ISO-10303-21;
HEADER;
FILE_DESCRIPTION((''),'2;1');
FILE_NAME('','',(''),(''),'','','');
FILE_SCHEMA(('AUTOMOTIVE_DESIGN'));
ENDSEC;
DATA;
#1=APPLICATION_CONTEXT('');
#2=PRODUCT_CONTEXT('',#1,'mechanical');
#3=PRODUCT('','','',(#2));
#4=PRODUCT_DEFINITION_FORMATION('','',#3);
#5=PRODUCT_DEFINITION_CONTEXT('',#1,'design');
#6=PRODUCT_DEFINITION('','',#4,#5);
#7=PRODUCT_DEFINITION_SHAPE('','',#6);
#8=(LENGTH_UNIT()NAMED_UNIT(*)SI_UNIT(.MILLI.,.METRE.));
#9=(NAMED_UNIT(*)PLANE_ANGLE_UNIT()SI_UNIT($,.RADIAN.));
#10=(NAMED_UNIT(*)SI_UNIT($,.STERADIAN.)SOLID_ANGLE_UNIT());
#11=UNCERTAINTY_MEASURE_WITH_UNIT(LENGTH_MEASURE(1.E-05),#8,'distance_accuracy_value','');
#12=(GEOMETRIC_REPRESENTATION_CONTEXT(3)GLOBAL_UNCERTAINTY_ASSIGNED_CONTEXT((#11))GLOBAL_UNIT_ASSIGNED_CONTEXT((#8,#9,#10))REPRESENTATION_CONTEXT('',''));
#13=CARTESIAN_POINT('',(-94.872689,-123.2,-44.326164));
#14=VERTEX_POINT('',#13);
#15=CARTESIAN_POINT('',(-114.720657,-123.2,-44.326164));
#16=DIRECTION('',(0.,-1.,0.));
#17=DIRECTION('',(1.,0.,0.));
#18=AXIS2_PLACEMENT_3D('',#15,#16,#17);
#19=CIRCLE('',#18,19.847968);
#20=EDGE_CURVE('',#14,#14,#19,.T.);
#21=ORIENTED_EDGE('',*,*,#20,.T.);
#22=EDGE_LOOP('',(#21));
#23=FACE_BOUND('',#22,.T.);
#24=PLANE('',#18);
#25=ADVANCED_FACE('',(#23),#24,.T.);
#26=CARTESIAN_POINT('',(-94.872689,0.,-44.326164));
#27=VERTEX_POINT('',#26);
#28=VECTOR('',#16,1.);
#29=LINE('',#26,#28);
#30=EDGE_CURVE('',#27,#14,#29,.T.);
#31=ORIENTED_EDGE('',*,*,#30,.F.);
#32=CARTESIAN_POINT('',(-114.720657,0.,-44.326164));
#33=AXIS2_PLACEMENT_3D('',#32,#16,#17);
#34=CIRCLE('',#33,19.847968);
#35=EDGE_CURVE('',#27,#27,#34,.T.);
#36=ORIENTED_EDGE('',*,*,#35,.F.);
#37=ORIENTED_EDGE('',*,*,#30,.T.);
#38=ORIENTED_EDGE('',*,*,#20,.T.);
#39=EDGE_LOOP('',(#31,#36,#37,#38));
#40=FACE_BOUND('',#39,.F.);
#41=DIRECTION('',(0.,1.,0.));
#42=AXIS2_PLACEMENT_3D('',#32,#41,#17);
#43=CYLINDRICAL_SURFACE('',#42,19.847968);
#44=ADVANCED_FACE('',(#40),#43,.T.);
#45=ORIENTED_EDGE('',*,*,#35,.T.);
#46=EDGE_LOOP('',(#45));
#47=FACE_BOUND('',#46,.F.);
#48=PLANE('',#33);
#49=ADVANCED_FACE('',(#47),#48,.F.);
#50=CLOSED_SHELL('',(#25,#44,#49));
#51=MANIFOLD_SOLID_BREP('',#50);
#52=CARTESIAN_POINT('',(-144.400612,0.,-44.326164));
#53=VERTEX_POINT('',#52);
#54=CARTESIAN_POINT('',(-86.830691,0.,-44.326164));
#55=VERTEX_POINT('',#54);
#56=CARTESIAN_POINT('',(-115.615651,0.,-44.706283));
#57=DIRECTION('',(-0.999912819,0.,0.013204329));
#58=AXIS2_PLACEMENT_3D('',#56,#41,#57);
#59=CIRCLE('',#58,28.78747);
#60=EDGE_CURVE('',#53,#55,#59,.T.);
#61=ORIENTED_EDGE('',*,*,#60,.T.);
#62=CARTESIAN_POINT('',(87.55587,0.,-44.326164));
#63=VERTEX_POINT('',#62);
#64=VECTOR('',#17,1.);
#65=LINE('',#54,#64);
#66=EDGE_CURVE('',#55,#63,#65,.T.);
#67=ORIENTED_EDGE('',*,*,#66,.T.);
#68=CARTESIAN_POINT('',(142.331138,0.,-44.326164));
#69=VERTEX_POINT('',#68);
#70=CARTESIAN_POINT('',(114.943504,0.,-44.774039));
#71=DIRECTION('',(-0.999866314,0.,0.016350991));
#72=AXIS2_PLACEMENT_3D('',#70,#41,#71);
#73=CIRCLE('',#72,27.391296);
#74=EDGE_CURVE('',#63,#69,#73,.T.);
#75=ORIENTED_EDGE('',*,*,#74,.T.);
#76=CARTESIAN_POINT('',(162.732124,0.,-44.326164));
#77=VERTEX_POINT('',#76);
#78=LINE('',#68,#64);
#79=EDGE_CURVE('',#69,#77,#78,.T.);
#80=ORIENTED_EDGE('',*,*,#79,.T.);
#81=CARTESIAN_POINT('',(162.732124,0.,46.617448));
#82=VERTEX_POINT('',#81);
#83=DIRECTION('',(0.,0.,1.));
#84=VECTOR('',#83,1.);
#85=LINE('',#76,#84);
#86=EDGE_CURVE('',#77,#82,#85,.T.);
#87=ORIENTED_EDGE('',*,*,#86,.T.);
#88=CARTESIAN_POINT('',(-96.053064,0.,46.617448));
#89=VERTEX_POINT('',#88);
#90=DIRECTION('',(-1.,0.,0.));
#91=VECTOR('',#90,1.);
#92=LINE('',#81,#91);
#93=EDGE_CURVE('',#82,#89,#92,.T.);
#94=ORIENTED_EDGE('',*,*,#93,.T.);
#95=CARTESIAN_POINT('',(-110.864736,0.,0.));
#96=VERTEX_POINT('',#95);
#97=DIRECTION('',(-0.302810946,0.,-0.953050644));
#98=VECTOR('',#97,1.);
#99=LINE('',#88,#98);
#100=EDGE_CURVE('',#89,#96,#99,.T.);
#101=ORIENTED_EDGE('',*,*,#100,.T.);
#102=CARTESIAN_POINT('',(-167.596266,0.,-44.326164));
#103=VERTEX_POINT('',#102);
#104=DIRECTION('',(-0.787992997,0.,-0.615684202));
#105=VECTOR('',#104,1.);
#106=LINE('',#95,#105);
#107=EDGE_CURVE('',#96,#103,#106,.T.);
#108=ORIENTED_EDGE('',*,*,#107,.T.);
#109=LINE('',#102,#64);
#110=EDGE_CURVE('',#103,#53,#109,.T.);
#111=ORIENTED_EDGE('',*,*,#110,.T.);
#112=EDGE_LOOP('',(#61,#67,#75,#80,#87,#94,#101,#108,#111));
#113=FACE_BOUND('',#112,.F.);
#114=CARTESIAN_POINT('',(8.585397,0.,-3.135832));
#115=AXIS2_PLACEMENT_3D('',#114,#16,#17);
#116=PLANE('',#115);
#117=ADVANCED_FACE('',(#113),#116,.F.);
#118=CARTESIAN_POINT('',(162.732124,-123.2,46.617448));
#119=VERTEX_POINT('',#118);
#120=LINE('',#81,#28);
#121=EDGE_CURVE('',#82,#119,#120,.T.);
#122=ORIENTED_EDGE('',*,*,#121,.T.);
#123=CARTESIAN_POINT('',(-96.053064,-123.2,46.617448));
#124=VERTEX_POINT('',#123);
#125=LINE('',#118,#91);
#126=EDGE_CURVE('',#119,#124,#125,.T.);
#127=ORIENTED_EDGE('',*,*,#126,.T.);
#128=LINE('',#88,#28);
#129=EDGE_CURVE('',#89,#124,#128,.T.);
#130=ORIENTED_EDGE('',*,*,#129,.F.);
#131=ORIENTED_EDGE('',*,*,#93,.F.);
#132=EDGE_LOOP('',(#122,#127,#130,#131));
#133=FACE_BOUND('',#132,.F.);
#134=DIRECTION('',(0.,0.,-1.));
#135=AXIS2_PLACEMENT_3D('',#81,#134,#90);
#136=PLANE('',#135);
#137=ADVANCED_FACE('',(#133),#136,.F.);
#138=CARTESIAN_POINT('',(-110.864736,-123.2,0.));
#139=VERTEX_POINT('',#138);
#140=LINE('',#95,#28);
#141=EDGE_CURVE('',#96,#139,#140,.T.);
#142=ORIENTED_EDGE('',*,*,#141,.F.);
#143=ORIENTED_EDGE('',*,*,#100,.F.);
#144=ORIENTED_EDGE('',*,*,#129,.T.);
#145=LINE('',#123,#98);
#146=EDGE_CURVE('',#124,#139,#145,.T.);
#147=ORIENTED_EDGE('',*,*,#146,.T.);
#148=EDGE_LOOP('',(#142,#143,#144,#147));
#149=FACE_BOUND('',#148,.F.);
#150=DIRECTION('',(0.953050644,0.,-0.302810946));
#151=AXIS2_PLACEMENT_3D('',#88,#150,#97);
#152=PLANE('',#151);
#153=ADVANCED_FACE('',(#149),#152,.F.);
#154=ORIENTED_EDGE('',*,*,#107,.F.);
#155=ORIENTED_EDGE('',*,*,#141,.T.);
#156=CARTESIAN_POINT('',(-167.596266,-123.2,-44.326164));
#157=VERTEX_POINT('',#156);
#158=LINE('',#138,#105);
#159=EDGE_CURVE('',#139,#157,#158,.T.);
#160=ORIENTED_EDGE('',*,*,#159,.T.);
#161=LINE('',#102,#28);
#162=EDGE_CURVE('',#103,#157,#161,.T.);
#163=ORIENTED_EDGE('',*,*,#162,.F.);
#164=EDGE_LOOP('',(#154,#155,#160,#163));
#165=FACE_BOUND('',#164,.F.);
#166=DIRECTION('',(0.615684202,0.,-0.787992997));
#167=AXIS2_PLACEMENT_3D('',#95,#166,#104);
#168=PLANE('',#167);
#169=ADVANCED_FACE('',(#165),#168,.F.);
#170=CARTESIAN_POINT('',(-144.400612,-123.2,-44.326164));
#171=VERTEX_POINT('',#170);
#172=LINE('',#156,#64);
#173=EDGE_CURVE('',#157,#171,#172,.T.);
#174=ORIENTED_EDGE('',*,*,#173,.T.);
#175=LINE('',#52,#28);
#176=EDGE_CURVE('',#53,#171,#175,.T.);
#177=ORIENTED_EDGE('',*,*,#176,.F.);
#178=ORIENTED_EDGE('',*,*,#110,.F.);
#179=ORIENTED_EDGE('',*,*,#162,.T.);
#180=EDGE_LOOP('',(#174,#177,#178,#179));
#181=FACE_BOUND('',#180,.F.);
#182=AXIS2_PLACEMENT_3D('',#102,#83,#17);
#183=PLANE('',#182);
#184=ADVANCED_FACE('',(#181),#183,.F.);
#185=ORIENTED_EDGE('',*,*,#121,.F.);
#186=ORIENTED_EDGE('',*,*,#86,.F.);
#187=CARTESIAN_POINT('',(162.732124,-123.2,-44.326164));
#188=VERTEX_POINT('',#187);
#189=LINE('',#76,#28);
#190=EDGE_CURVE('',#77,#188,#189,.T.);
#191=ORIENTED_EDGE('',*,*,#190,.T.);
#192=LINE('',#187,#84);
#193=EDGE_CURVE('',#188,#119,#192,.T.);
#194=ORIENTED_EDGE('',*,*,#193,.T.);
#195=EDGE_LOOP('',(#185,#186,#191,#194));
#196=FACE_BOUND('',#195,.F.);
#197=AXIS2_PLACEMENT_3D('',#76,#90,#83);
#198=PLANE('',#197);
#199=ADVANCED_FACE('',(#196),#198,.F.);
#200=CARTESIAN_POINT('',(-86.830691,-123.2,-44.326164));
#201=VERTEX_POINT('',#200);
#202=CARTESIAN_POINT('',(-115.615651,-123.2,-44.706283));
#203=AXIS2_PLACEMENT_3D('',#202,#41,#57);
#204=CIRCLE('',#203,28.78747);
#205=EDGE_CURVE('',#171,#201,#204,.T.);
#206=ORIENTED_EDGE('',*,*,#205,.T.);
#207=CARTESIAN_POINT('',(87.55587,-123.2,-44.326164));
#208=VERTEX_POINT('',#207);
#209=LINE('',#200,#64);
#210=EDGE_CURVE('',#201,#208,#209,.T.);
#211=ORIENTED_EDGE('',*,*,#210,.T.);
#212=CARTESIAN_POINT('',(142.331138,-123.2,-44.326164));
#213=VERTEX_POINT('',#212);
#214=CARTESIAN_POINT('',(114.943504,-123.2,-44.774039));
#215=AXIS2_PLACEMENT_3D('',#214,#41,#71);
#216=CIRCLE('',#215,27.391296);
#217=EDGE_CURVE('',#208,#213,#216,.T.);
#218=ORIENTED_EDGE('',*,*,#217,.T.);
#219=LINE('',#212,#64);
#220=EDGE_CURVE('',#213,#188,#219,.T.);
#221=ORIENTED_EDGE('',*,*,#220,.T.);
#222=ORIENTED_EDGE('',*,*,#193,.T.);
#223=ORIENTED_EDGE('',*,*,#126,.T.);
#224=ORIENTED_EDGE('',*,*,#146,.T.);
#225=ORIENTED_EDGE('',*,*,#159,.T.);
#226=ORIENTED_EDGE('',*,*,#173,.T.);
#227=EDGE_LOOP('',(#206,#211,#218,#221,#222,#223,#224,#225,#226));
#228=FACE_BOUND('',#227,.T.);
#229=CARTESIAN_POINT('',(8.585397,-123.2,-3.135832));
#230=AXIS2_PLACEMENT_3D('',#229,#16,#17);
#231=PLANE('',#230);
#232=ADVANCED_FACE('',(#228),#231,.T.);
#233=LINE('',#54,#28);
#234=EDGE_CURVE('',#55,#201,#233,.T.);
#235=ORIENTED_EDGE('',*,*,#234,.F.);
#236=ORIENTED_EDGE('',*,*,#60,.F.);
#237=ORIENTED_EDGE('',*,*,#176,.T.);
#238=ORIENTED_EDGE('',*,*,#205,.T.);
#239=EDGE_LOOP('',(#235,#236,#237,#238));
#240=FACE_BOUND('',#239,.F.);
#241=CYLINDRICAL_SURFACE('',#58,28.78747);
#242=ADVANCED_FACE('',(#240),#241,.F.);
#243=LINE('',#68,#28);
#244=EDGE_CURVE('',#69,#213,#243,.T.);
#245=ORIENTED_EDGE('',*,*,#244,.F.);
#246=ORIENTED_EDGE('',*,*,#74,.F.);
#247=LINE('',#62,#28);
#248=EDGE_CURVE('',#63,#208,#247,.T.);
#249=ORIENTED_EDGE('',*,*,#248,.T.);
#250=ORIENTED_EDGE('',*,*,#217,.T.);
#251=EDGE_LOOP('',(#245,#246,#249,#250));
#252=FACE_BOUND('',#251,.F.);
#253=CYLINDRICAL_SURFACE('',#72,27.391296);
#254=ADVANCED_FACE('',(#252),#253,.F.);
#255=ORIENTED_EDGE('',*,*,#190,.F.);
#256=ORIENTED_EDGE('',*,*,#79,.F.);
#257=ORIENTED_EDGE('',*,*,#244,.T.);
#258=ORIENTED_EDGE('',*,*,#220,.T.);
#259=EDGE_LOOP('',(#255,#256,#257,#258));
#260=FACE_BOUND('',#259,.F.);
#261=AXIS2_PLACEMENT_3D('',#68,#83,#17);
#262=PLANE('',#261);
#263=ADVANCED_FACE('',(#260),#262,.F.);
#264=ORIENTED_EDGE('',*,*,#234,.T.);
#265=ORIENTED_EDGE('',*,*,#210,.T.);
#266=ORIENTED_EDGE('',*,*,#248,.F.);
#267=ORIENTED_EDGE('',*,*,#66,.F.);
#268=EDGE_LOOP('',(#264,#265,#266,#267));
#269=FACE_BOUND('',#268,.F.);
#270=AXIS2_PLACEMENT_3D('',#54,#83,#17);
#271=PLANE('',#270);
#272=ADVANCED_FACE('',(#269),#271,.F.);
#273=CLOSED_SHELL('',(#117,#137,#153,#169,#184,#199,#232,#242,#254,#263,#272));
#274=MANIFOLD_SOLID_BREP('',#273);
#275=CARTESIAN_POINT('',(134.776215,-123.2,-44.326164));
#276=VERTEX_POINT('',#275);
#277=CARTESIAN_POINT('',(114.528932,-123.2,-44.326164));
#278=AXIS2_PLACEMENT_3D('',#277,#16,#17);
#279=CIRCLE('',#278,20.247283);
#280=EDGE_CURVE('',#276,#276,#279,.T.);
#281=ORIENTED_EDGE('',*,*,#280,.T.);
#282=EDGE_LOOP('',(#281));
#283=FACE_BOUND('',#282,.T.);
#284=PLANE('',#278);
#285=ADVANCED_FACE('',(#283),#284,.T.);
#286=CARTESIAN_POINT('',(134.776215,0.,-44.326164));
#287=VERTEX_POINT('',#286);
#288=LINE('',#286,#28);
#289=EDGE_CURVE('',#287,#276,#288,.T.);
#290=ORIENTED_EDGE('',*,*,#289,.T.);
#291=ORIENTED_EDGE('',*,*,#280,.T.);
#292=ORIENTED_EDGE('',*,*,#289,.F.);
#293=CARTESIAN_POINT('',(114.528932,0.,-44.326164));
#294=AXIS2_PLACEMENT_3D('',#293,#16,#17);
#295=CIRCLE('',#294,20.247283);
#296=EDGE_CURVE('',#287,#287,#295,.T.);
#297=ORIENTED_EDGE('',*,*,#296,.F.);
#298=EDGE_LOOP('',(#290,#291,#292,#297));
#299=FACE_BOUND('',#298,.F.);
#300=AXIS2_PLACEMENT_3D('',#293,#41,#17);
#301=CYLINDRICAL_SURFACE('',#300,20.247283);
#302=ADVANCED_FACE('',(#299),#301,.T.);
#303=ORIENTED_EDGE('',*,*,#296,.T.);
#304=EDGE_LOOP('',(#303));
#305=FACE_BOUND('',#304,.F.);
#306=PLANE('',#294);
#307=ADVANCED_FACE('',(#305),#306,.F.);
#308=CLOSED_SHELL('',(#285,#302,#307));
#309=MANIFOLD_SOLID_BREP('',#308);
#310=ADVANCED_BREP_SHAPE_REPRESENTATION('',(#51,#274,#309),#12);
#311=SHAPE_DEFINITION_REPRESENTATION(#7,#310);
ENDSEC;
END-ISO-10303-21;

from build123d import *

# Parameters (mm, degrees)
F0_R     = 19.847968
F0_R_2   = 20.247283
F1_DEPTH = 123.2


with BuildPart() as f1:
    # F0 (on Front) → F1 (new body)
    with BuildSketch(Plane.XZ):
        with Locations((-114.720657, -44.326164)):
            Circle(F0_R)
        with Locations((114.528932, -44.326164)):
            Circle(F0_R_2)
        with BuildLine():
            ThreePointArc((-144.400612, -44.326164), (-115.615651, -15.918813), (-86.830691, -44.326164))
            Line((-86.830691, -44.326164), (87.55587, -44.326164))
            ThreePointArc((87.55587, -44.326164), (114.943504, -17.382743), (142.331138, -44.326164))
            Line((142.331138, -44.326164), (162.732124, -44.326164))
            Line((162.732124, -44.326164), (162.732124, 46.617448))
            Line((162.732124, 46.617448), (-96.053064, 46.617448))
            Line((-96.053064, 46.617448), (-110.864736, 0))
            Line((-110.864736, 0), (-167.596266, -44.326164))
            Line((-167.596266, -44.326164), (-144.400612, -44.326164))
        make_face()
    extrude(amount=F1_DEPTH)


solid = f1.part
